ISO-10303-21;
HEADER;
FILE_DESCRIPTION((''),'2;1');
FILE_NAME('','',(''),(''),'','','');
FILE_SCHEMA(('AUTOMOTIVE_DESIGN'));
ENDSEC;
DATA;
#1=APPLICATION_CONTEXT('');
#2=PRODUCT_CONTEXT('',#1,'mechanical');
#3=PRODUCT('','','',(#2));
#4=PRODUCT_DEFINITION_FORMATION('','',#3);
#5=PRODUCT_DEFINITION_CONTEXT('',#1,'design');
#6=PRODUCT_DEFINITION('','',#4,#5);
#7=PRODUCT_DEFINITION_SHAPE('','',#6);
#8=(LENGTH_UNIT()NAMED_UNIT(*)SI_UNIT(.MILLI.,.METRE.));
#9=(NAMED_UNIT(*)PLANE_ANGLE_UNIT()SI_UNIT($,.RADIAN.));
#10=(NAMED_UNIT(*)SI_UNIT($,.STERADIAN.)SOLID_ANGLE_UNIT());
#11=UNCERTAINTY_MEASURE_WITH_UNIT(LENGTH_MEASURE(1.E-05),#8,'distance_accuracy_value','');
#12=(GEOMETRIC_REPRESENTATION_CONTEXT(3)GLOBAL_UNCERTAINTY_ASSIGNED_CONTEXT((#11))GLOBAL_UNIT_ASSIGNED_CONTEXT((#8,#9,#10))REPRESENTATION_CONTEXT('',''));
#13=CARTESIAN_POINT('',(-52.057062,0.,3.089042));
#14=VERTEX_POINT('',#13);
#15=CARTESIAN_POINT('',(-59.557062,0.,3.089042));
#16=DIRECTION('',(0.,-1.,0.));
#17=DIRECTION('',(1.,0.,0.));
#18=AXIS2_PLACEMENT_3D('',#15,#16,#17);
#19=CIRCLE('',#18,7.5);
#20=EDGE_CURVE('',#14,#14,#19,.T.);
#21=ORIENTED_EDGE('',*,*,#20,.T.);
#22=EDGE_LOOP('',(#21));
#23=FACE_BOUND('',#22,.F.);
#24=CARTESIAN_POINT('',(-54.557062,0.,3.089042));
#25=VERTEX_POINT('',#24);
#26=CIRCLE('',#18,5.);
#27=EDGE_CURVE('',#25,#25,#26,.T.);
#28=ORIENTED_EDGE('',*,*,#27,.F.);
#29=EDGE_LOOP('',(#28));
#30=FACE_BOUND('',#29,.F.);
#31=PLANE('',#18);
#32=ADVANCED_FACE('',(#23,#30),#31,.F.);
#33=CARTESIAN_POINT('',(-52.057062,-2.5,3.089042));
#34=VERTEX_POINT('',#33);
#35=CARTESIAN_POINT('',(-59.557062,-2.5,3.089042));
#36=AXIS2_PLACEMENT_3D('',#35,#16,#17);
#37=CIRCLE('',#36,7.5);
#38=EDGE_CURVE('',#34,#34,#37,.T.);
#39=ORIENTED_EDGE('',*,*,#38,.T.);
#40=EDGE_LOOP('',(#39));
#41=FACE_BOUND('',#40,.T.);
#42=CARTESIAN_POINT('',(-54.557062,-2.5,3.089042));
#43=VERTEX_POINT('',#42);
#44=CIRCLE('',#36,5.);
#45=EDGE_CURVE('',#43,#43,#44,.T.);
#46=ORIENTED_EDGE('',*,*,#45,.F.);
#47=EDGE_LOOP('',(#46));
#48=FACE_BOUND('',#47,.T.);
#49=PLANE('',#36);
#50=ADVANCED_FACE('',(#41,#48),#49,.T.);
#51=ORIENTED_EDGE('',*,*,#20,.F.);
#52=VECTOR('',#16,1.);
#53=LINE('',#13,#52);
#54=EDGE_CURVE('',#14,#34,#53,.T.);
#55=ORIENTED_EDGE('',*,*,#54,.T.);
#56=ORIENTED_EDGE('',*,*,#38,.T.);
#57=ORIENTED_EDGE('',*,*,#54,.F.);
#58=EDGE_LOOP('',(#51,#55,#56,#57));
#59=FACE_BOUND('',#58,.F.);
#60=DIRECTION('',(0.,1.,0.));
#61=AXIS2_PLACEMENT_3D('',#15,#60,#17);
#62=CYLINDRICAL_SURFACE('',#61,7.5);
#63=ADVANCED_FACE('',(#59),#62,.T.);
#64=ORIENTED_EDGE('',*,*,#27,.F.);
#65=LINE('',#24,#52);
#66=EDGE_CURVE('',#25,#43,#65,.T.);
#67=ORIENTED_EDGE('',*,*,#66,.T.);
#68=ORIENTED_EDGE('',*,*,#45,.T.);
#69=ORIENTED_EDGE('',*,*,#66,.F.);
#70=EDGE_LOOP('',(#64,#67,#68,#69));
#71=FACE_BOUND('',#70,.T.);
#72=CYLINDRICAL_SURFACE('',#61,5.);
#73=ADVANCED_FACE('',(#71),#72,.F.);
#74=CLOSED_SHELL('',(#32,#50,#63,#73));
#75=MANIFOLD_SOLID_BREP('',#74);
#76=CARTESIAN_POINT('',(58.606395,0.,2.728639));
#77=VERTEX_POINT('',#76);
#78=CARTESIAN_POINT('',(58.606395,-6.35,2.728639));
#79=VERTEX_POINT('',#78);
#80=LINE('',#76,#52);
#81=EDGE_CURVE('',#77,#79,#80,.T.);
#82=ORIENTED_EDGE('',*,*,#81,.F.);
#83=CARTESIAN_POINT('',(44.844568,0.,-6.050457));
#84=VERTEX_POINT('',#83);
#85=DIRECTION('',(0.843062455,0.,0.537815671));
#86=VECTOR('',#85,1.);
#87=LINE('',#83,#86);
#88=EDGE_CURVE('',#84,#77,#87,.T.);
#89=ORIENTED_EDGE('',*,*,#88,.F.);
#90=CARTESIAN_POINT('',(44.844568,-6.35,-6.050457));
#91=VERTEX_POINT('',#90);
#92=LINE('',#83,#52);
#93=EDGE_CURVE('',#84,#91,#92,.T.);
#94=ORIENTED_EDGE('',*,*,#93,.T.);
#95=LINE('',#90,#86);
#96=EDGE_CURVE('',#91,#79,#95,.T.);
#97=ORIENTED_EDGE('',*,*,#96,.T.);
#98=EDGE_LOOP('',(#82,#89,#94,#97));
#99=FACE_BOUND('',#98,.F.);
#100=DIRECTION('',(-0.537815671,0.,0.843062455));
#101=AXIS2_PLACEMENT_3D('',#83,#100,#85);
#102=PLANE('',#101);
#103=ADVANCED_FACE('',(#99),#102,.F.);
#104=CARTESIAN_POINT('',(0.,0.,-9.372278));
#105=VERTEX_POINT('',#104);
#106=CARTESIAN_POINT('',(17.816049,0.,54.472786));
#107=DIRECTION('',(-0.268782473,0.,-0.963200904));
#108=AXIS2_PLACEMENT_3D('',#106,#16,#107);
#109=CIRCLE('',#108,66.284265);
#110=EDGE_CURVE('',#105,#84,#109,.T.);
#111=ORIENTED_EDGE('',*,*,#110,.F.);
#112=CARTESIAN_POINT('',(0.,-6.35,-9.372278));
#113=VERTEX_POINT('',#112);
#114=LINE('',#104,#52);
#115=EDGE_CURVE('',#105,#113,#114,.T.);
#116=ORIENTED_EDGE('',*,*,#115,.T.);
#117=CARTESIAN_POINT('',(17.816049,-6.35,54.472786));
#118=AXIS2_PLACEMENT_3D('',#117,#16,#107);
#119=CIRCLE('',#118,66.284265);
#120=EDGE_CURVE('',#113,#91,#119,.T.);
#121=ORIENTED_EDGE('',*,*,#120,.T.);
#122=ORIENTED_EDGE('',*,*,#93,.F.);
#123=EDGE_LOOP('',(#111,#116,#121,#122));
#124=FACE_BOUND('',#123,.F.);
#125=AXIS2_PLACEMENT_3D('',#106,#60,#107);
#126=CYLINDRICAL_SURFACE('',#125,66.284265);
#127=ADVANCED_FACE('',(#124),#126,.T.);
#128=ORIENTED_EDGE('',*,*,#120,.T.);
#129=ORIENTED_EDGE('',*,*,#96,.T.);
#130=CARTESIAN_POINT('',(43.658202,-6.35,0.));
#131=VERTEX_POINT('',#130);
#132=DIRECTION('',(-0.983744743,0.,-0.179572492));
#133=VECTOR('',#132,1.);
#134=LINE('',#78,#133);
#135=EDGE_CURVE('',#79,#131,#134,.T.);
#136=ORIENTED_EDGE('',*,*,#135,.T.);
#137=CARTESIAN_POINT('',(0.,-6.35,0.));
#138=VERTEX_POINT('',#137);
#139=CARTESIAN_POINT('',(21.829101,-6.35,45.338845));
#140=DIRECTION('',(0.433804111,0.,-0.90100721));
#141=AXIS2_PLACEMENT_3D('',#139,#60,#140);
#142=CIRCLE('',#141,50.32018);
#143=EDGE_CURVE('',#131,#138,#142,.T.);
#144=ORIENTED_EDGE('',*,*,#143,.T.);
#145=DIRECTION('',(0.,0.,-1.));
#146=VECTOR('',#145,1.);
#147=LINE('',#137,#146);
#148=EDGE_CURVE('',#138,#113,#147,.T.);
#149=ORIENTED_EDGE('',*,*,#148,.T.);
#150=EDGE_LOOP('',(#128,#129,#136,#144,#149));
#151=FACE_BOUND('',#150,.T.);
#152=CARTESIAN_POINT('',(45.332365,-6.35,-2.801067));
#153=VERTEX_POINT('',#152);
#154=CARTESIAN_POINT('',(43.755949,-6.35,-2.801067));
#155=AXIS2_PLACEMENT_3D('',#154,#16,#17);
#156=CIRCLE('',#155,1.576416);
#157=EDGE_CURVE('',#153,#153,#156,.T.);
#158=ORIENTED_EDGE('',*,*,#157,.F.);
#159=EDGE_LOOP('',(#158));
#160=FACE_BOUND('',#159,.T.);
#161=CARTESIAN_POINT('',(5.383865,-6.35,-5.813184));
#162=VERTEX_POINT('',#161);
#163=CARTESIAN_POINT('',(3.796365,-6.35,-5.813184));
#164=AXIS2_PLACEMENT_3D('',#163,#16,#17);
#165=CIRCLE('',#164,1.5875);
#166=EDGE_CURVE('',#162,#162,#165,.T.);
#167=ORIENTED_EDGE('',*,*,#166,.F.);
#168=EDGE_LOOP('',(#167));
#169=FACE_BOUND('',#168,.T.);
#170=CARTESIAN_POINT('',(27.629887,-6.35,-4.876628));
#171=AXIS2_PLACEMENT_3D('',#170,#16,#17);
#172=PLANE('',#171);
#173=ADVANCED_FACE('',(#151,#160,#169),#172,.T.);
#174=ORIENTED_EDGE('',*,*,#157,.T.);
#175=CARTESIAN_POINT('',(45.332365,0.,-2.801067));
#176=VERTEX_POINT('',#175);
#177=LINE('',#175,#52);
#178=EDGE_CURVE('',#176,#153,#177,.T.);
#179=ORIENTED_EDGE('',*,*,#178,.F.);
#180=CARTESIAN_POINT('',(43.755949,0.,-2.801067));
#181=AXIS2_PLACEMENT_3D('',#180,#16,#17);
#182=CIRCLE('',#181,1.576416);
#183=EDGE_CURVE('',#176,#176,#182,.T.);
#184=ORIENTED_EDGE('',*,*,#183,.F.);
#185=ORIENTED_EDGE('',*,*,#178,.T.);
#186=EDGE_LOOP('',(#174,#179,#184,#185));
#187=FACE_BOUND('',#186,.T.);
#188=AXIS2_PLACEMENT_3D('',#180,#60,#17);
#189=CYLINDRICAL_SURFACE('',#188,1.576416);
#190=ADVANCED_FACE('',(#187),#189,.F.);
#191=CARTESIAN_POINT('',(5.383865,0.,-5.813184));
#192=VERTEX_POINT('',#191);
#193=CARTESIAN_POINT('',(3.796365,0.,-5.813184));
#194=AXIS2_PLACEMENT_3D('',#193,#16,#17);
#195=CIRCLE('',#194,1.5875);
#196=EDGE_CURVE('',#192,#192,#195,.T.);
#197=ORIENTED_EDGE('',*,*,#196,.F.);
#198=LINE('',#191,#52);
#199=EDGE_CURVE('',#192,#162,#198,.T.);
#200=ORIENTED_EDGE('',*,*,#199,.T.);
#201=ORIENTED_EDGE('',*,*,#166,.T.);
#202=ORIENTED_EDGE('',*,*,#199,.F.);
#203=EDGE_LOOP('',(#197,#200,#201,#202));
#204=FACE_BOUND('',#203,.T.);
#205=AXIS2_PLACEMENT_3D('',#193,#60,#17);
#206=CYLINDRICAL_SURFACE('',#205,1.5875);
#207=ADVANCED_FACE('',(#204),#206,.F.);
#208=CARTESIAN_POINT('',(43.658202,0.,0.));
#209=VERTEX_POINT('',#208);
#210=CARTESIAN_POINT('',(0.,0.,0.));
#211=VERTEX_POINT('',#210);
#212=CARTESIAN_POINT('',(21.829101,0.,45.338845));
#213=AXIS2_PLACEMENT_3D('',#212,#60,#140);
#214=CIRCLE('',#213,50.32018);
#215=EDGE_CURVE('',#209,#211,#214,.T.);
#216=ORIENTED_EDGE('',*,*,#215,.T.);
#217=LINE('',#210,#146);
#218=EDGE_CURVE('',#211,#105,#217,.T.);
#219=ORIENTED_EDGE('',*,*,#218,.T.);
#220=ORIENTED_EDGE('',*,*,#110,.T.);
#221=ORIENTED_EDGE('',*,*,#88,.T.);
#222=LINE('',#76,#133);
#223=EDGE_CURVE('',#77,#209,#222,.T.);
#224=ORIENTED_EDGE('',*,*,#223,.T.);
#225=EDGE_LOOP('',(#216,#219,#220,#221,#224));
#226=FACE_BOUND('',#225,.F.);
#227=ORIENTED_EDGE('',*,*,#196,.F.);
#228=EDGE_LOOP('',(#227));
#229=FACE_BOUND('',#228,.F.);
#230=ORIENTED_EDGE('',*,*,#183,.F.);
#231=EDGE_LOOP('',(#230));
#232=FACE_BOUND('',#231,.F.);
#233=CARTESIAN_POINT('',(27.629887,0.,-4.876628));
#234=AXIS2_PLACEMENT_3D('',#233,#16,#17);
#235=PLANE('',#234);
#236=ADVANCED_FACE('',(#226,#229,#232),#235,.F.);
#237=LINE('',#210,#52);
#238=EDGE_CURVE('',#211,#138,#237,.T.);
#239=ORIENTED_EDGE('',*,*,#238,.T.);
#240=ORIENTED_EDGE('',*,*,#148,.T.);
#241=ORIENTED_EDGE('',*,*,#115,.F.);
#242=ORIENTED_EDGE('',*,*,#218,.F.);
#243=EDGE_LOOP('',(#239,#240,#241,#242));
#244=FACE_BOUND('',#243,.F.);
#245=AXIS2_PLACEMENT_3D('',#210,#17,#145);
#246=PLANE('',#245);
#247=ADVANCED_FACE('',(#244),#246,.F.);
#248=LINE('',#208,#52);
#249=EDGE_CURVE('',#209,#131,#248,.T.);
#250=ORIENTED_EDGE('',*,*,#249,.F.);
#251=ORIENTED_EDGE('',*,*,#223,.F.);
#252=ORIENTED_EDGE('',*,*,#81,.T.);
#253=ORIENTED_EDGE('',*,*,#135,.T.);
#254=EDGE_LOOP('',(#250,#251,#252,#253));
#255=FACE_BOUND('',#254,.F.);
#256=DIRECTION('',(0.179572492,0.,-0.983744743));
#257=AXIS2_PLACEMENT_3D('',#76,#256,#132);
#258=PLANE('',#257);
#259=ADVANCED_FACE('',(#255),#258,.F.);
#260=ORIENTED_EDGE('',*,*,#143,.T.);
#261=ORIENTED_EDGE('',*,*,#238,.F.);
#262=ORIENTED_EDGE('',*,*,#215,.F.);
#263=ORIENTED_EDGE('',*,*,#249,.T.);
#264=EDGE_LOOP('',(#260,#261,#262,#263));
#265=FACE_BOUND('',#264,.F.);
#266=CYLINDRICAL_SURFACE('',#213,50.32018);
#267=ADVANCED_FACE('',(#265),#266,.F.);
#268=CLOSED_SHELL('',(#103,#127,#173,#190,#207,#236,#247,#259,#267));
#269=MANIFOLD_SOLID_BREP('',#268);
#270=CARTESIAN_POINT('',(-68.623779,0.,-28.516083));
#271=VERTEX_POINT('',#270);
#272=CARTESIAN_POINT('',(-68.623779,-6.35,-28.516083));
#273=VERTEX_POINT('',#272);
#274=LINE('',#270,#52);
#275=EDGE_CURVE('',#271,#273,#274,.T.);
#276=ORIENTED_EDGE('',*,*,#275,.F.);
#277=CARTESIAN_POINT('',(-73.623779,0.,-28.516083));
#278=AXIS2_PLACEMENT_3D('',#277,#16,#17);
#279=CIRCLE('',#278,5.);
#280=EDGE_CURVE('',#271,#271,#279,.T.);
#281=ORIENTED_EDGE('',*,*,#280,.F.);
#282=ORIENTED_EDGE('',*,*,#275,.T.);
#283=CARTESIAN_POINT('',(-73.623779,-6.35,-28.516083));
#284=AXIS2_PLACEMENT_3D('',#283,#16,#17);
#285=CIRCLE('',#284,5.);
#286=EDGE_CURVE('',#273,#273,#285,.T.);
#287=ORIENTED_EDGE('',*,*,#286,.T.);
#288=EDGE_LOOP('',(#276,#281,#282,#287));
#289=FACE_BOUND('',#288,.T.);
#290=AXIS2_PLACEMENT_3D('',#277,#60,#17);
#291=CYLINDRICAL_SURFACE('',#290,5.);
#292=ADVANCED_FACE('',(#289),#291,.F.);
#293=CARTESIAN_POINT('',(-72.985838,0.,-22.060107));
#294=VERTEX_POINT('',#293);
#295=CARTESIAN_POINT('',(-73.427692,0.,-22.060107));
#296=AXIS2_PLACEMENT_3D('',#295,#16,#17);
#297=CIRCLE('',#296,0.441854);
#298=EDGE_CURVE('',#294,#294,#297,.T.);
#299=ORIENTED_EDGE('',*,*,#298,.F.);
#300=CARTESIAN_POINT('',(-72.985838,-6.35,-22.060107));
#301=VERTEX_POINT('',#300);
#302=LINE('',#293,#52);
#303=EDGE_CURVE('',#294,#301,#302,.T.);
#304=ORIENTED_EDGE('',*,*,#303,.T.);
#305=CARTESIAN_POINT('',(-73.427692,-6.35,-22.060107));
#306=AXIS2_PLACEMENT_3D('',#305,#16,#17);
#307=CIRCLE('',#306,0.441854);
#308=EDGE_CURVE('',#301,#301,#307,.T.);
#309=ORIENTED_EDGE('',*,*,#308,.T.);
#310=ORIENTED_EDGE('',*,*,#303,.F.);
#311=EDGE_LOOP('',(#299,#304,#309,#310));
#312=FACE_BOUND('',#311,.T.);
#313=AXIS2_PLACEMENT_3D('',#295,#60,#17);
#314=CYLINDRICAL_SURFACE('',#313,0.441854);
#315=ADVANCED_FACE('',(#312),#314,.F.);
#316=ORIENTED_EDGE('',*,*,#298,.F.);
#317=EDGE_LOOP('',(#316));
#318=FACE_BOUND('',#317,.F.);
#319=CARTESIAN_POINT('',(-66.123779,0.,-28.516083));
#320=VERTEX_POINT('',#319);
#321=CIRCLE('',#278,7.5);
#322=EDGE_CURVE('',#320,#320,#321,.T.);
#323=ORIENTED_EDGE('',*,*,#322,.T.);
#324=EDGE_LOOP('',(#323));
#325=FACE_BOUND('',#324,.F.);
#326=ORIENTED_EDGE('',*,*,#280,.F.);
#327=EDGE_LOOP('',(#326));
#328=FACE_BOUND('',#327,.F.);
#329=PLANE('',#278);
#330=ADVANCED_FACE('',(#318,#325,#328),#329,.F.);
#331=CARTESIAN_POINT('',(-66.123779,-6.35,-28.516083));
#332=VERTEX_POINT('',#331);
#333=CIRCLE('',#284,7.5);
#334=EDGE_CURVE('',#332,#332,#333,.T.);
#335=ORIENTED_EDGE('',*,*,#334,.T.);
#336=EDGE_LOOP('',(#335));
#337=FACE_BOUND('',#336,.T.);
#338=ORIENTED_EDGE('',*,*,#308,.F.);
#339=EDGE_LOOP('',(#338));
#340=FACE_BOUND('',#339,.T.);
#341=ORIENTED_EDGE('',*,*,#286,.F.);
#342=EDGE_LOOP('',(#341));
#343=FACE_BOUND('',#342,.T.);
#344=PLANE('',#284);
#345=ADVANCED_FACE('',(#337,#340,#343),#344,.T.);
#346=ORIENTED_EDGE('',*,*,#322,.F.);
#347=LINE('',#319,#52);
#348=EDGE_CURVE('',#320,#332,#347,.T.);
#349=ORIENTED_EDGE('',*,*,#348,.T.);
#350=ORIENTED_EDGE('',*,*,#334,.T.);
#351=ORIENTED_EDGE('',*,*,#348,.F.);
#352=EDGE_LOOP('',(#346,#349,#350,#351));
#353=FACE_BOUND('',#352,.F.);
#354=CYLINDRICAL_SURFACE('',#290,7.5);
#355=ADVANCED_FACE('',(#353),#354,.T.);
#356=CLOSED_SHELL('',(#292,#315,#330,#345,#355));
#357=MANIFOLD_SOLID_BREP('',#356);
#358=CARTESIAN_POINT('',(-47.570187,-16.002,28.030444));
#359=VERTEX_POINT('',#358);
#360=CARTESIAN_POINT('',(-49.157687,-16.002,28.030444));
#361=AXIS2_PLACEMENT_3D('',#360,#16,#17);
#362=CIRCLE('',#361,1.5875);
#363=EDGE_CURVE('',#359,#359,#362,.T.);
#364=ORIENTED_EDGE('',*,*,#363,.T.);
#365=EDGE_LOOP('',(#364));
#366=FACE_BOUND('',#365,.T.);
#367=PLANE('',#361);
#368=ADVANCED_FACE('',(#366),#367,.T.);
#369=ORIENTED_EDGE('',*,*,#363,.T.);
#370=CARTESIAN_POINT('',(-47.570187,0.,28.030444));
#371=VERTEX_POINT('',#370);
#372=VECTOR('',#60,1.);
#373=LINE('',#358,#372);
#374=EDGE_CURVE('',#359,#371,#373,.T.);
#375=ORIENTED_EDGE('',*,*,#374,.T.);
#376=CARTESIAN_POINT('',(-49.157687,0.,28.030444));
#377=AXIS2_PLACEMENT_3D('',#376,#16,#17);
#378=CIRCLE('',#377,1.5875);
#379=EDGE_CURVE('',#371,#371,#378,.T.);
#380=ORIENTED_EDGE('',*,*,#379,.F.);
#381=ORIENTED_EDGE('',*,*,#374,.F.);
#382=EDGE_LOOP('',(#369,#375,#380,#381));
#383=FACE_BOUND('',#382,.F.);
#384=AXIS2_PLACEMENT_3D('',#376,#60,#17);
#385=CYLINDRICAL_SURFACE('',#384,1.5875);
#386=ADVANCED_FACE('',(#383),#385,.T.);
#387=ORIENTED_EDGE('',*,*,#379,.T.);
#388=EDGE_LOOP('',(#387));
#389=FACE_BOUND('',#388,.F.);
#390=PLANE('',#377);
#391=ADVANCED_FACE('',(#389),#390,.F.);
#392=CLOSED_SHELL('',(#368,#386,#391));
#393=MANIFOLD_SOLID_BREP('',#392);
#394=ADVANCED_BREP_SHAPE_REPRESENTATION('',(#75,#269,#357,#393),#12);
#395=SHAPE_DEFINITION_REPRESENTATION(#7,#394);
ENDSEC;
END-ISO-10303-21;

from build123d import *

# Parameters (mm, degrees)
F0_R     = 1.5875
F0_R_2   = 1.576416
F1_DEPTH = 6.35
F0_R_3   = 7.5
F0_R_4   = 5
F0_R_5   = 0.441854
F2_DEPTH = 6.35
F3_DEPTH = 16.002
F4_DEPTH = 2.5


with BuildPart() as f1:
    # F0 (on Front) → F1 (new body)
    with BuildSketch(Plane.XZ):
        with BuildLine():
            ThreePointArc((43.658202, 0), (21.829101, -4.981335), (0, 0))
            Line((0, 0), (0, -9.372278))
            ThreePointArc((0, -9.372278), (22.712581, -11.630374), (44.844568, -6.050457))
            Line((44.844568, -6.050457), (58.606395, 2.728639))
            Line((58.606395, 2.728639), (43.658202, 0))
        make_face()
        with Locations((3.796365, -5.813184)):
            Circle(F0_R, mode=Mode.SUBTRACT)
        with Locations((43.755949, -2.801067)):
            Circle(F0_R_2, mode=Mode.SUBTRACT)
    extrude(amount=F1_DEPTH)


with BuildPart() as f2:
    # F0 (on Front) → F2 (new body)
    with BuildSketch(Plane.XZ):
        with Locations((-49.157687, 28.030444)):
            Circle(F0_R)
        with Locations((-73.623779, -28.516083)):
            Circle(F0_R_3)
        with Locations((-73.623779, -28.516083)):
            Circle(F0_R_4, mode=Mode.SUBTRACT)
        with Locations((-73.427692, -22.060107)):
            Circle(F0_R_5, mode=Mode.SUBTRACT)
    extrude(amount=F2_DEPTH)

    # F0 (on Front) → F3 (join)
    with BuildSketch(Plane.XZ):
        with Locations((-49.157687, 28.030444)):
            Circle(F0_R)
    extrude(amount=F3_DEPTH)


with BuildPart() as f4:
    # F0 (on Front) → F4 (new body)
    with BuildSketch(Plane.XZ):
        with Locations((-59.557062, 3.089042)):
            Circle(F0_R_3)
        with Locations((-59.557062, 3.089042)):
            Circle(F0_R_4, mode=Mode.SUBTRACT)
    extrude(amount=F4_DEPTH)


solid = Compound([f1.part, f2.part, f4.part])
